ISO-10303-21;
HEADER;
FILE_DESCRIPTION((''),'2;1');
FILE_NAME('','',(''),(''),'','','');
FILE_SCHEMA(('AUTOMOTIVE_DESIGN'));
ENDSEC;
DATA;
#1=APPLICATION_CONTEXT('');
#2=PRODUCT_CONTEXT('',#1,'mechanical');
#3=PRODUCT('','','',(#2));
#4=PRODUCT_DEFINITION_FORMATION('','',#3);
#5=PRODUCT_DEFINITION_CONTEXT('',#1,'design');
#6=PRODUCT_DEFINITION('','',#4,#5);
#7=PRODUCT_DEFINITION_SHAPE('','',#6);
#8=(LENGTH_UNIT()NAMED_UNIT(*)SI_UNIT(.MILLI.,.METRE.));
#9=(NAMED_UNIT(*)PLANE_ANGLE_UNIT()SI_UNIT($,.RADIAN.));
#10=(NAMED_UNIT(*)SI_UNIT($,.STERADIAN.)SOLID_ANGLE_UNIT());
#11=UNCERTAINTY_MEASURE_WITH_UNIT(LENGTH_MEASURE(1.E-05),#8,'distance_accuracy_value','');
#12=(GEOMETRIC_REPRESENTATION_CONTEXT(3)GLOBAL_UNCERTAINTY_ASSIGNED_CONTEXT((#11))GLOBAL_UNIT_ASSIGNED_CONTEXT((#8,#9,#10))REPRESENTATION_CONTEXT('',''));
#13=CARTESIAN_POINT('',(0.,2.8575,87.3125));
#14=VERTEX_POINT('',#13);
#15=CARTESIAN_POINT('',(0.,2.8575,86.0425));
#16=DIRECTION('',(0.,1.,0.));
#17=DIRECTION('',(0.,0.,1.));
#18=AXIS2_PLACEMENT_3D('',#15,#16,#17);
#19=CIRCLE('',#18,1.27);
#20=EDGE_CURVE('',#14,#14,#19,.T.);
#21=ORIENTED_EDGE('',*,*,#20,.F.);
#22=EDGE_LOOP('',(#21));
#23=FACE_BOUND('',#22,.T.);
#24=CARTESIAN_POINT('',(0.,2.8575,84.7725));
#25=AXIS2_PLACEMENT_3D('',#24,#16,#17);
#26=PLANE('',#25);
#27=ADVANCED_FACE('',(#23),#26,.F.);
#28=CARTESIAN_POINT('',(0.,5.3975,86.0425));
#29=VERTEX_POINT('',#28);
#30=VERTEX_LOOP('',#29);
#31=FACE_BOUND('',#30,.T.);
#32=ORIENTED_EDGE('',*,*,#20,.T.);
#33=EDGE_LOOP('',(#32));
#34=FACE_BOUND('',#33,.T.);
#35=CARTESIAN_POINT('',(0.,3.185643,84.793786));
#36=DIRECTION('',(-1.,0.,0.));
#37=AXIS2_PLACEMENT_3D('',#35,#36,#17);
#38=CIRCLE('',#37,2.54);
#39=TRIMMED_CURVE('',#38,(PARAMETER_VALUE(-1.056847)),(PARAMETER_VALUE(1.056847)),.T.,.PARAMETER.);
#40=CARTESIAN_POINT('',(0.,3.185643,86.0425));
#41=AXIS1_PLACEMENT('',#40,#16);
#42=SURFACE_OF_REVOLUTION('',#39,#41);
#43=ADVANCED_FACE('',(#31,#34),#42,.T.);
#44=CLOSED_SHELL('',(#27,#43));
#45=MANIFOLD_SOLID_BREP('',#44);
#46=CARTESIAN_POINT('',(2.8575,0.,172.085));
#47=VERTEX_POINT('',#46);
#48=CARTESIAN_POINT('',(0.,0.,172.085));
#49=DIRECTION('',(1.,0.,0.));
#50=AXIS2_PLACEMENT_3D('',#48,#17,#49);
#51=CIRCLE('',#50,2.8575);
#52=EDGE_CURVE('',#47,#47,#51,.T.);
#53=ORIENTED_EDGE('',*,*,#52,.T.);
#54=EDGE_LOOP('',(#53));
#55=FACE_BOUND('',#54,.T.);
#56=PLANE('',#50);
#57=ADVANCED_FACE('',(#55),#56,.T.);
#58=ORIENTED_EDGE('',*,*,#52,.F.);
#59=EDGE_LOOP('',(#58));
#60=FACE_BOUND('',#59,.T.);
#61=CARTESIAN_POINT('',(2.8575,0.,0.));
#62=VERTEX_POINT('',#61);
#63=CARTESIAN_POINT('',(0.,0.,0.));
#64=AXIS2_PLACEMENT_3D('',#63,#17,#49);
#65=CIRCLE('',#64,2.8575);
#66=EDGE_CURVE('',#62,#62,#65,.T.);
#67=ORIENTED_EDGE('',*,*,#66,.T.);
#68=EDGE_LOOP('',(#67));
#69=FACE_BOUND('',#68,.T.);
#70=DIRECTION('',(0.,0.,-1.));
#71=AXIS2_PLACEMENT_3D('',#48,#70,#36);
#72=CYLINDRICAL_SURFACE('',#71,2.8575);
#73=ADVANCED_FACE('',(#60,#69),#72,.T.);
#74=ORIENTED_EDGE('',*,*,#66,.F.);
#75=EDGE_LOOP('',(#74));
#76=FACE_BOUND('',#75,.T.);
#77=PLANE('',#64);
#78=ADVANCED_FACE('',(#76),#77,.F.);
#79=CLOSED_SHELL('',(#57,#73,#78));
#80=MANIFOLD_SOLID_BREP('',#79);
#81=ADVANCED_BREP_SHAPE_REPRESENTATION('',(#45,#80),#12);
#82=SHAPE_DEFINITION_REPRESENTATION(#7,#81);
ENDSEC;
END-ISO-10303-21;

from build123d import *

# Parameters (mm, degrees)
SKETCH1_R           = 2.8575
BOSS_EXTRUDE1_DEPTH = 172.085


with BuildPart() as part:
    # Sketch1 → Boss-Extrude1 (new body)
    with BuildSketch(Plane.XY):
        Circle(SKETCH1_R)
    extrude(amount=BOSS_EXTRUDE1_DEPTH)


with BuildPart() as body_2:
    # Sketch2 → Revolve1 (revolve)
    with BuildSketch(Plane(origin=(0, 0, 0), x_dir=(0, 0, -1), z_dir=(1, 0, 0))):
        with BuildLine():
            Line((-84.7725, 2.8575), (-86.0425, 2.8575))
            Line((-86.0425, 2.8575), (-86.0425, 5.3975))
            ThreePointArc((-86.0425, 5.3975), (-85.019369351, 4.321565325), (-84.7725, 2.8575))
        make_face()
    revolve(axis=Axis((0, 5.3975, 86.0425), (0, -1, 0)))


solid = Compound([part.part, body_2.part])
